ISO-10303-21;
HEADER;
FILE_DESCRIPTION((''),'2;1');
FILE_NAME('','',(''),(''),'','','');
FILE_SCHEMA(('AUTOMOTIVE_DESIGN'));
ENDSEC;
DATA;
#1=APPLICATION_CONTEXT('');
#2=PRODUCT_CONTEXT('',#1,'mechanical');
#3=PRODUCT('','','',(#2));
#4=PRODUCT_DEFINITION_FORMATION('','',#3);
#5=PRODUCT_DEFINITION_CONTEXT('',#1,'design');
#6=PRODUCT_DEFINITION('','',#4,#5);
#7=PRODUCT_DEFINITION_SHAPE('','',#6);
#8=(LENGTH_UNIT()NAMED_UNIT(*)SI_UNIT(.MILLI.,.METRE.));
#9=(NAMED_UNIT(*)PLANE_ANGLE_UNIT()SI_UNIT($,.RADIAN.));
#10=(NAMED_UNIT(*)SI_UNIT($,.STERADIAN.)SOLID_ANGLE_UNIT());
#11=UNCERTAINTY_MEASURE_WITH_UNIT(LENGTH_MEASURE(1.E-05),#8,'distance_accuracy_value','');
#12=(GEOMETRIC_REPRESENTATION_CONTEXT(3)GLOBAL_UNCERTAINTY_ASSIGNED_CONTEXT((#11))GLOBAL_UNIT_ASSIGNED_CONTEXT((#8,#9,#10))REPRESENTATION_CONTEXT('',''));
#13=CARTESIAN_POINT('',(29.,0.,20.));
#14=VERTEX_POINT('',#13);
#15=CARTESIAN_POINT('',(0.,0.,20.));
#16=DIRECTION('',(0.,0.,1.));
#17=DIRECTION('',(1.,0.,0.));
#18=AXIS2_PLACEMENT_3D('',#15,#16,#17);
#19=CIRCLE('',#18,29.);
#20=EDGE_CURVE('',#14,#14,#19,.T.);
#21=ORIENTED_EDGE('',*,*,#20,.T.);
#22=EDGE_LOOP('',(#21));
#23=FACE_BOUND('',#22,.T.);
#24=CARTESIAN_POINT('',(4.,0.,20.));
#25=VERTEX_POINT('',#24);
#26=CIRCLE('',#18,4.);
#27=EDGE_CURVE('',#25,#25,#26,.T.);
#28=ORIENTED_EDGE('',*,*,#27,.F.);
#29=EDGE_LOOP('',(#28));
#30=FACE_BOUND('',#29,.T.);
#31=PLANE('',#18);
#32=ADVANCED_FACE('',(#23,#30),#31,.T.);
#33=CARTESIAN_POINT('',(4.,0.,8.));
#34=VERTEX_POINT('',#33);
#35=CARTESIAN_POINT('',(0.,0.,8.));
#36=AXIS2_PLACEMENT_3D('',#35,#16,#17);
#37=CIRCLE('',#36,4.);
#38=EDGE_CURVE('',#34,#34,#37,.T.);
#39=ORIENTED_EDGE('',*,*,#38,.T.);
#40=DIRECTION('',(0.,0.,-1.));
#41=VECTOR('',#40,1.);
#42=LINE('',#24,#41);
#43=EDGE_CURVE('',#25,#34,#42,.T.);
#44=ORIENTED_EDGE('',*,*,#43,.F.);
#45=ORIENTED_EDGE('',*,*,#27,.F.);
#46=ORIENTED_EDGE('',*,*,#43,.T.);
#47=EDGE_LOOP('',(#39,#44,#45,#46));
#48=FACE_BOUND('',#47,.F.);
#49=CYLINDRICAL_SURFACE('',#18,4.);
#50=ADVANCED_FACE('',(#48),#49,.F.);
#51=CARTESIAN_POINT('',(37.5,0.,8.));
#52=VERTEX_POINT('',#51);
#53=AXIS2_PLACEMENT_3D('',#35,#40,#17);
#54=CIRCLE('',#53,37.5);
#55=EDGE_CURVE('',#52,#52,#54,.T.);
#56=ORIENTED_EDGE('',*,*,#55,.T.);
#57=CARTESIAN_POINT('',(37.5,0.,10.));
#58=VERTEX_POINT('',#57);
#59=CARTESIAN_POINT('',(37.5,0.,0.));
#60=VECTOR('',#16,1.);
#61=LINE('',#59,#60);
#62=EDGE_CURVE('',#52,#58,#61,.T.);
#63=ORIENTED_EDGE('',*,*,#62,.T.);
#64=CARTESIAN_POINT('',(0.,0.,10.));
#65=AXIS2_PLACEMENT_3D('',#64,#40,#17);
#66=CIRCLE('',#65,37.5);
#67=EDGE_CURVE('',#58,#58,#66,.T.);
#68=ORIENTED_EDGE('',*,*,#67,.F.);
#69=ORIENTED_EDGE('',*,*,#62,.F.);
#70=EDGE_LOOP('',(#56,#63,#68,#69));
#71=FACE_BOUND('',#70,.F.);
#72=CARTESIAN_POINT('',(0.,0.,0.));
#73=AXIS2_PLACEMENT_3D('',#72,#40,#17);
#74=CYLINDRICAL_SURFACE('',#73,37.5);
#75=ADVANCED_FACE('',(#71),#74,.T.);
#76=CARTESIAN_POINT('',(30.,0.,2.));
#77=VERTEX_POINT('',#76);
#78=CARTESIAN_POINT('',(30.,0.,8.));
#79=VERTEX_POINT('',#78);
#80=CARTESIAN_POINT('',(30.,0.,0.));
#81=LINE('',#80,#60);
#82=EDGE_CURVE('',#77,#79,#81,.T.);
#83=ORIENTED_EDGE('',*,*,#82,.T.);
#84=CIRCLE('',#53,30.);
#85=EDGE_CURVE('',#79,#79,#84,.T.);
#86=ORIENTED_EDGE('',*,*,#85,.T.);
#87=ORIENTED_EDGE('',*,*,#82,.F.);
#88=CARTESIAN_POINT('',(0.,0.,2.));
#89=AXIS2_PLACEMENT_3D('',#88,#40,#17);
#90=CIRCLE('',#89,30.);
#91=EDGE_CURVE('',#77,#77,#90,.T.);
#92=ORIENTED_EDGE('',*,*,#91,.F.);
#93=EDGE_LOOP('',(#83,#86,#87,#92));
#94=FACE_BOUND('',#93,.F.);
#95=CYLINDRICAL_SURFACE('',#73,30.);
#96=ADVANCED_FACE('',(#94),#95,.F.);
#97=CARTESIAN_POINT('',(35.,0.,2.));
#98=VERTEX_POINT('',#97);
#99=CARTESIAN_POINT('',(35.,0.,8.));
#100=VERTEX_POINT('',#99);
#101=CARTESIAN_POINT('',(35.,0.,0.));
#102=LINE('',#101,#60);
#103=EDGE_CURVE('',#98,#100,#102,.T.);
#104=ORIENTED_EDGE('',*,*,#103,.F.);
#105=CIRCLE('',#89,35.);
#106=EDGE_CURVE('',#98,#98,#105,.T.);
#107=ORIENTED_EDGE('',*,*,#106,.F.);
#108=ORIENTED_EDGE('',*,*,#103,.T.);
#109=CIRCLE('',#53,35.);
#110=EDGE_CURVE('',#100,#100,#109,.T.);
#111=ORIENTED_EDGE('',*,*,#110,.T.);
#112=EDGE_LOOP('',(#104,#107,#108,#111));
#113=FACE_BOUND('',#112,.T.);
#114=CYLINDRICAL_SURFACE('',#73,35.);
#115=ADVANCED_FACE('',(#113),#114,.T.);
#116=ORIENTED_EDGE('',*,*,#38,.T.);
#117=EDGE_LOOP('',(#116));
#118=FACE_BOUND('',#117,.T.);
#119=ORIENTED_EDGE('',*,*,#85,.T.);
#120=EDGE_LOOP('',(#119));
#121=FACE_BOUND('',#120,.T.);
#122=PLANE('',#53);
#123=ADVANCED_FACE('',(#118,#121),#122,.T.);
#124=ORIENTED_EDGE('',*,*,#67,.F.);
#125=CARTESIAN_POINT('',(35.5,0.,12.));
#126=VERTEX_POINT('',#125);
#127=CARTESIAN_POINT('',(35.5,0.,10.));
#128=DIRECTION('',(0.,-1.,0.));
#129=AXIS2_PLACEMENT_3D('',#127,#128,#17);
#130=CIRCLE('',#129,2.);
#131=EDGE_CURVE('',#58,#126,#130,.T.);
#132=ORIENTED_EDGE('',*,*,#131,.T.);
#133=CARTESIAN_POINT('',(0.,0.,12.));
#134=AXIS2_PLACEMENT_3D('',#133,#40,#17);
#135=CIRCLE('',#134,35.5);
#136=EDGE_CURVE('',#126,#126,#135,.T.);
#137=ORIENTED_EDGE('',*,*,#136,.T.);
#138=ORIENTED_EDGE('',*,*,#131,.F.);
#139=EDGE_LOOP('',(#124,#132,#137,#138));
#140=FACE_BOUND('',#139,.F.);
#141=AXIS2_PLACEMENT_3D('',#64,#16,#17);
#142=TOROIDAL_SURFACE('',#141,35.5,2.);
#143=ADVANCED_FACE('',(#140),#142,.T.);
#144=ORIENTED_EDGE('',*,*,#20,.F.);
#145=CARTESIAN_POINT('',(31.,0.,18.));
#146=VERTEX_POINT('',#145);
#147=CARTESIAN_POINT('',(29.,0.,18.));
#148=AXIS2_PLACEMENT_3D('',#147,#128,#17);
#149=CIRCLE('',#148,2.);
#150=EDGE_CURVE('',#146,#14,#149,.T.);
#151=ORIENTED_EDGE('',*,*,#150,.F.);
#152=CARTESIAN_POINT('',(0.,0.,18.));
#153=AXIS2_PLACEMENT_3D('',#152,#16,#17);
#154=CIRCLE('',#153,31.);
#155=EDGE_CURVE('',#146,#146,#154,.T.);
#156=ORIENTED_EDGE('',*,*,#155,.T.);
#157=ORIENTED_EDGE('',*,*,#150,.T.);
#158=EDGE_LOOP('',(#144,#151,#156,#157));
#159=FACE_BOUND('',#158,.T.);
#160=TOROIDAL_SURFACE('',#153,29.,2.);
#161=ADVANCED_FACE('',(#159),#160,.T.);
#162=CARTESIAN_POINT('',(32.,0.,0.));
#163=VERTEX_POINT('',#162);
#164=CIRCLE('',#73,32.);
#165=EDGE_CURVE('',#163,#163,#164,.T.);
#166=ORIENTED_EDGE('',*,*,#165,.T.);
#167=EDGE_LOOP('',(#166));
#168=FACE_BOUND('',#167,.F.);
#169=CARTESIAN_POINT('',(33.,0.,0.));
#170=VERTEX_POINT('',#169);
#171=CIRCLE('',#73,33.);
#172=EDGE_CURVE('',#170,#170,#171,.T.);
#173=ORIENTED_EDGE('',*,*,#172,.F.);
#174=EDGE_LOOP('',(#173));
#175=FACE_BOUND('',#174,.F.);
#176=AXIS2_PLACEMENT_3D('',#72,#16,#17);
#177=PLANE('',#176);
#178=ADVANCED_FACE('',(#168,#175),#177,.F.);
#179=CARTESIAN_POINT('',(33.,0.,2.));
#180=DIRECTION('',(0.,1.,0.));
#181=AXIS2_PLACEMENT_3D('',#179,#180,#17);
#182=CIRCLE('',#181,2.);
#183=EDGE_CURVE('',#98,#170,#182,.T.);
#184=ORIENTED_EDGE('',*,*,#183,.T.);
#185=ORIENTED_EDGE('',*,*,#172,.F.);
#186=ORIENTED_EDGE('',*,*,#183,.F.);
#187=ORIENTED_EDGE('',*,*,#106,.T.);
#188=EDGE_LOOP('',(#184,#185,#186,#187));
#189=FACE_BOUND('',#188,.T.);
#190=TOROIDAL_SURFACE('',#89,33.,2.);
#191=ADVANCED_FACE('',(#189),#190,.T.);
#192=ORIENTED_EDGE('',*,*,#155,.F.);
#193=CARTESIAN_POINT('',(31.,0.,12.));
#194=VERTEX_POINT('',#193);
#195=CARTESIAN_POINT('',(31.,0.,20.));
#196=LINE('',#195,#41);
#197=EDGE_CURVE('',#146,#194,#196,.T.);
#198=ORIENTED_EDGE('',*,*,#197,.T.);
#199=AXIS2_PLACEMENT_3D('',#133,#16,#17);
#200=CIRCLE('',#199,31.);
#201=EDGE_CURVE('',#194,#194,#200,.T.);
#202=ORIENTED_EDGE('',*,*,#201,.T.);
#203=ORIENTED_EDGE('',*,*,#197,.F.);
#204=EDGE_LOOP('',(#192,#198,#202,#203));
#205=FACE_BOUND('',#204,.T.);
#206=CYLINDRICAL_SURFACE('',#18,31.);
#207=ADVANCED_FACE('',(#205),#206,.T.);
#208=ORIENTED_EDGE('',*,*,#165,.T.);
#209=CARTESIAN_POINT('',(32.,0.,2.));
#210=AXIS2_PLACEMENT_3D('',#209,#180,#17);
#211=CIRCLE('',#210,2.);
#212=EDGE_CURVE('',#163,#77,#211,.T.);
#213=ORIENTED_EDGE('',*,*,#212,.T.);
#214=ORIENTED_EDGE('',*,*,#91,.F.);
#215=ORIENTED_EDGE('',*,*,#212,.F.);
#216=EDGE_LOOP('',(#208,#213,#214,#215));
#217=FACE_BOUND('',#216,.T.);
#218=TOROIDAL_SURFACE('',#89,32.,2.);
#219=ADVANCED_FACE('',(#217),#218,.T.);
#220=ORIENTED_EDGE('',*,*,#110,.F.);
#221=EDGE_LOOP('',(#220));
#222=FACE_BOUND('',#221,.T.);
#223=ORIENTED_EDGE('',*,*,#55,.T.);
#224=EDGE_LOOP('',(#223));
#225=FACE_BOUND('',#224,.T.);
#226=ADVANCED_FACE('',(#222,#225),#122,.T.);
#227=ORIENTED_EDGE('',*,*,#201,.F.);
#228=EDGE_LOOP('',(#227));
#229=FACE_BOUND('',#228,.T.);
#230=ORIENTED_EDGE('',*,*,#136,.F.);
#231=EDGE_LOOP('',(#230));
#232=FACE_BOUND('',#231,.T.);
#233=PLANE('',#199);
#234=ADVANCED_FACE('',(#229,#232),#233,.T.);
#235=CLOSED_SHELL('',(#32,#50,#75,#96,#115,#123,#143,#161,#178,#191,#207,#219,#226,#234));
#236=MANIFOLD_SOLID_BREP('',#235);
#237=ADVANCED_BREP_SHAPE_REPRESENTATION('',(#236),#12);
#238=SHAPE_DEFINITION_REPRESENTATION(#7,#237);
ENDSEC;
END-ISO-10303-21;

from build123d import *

# Parameters (mm, degrees)
SKETCH_R        = 37.5
PAD_DEPTH       = 20
SKETCH001_R     = 41.795257
SKETCH001_R_2   = 31
POCKET_DEPTH    = 8
SKETCH002_R     = 43.633229
SKETCH002_R_2   = 35
POCKET001_DEPTH = 8
SKETCH003_R     = 30
POCKET002_DEPTH = 8
SKETCH004_R     = 4
POCKET003_DEPTH = 20
FILLET_R        = 2


with BuildPart() as part:
    # Sketch → Pad (new body)
    with BuildSketch(Plane.XY):
        Circle(SKETCH_R)
    extrude(amount=PAD_DEPTH)

    # Sketch001 (on Face3 of Pad) → Pocket (cut)
    with BuildSketch(Plane.XY.offset(20)):
        Circle(SKETCH001_R)
        Circle(SKETCH001_R_2, mode=Mode.SUBTRACT)
    extrude(amount=-POCKET_DEPTH, mode=Mode.SUBTRACT)

    # Sketch002 (on Face2 of Pocket) → Pocket001 (cut)
    with BuildSketch(Plane(origin=(0, 0, 0), x_dir=(1, 0, 0), z_dir=(0, 0, -1))):
        Circle(SKETCH002_R)
        Circle(SKETCH002_R_2, mode=Mode.SUBTRACT)
    extrude(amount=-POCKET001_DEPTH, mode=Mode.SUBTRACT)

    # Sketch003 (on Face6 of Pocket001) → Pocket002 (cut)
    with BuildSketch(Plane(origin=(0, 0, 0), x_dir=(1, 0, 0), z_dir=(0, 0, -1))):
        Circle(SKETCH003_R)
    extrude(amount=-POCKET002_DEPTH, mode=Mode.SUBTRACT)

    # Sketch004 (on Face7 of Pocket002) → Pocket003 (cut)
    with BuildSketch(Plane.XY.offset(20)):
        Circle(SKETCH004_R)
    extrude(amount=-POCKET003_DEPTH, mode=Mode.SUBTRACT)

    # Fillet
    fillet_edges = [part.edges().sort_by_distance(p)[0] for p in [
        (-31, 0, 20),
        (-37.5, 0, 12),
        (-30, 0, 0),
        (-35, 0, 0),
    ]]
    fillet(fillet_edges, radius=FILLET_R)


solid = part.part
